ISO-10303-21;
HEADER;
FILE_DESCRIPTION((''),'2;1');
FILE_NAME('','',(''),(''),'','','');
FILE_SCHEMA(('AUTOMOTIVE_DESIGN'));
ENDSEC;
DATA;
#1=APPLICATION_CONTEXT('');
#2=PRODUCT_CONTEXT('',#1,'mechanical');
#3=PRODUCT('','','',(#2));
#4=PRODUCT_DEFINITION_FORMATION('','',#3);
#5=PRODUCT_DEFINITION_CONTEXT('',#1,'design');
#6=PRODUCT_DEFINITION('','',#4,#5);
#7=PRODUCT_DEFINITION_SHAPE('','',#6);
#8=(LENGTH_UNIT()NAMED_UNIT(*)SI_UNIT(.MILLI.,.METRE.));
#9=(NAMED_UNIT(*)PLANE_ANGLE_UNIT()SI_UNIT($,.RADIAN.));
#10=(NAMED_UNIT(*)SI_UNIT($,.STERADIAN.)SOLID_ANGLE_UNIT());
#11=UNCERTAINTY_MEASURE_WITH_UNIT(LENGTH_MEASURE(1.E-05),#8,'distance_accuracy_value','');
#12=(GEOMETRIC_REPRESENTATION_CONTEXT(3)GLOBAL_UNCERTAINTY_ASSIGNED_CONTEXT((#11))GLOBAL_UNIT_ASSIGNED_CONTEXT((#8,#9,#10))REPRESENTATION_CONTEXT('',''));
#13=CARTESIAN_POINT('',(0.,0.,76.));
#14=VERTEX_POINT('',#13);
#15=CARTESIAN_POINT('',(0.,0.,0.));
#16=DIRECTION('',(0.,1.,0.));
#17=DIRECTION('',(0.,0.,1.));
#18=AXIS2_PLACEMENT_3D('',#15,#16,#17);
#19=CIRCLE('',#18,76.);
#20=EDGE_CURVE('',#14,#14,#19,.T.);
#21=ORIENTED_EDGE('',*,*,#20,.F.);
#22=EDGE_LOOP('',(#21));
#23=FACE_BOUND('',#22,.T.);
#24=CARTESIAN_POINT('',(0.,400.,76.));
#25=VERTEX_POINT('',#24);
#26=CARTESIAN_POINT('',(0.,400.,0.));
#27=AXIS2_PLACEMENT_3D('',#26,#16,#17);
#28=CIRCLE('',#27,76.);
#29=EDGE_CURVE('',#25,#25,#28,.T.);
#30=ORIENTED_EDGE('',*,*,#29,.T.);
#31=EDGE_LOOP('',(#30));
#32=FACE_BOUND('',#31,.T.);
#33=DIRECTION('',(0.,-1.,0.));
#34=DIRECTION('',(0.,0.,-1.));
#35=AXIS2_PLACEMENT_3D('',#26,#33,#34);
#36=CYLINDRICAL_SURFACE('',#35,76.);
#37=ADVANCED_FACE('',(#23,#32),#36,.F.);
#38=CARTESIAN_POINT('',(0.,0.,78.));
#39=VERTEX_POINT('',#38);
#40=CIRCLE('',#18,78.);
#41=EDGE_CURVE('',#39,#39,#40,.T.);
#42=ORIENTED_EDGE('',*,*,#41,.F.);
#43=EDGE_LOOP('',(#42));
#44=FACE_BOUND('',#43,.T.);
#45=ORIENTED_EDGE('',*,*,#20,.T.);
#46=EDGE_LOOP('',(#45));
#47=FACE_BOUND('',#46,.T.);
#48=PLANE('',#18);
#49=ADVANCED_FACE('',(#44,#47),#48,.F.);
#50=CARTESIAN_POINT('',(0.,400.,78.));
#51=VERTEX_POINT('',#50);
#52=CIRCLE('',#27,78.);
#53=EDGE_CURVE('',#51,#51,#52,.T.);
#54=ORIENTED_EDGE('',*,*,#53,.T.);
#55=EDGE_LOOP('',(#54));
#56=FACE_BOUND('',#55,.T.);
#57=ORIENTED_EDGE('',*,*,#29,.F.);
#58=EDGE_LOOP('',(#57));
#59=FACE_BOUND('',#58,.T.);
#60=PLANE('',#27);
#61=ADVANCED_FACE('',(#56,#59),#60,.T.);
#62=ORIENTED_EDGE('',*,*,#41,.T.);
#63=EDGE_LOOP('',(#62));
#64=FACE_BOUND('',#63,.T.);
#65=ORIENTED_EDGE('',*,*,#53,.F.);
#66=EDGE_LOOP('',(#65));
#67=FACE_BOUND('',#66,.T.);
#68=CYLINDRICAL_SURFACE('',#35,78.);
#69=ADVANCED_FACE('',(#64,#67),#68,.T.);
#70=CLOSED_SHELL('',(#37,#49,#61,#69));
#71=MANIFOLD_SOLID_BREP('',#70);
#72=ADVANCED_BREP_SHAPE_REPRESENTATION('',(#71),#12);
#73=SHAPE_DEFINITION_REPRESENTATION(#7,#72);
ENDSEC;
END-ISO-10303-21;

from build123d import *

# Parameters (mm, degrees)
SKETCH_1_R      = 78
SKETCH_1_R_2    = 76
EXTRUDE_1_DEPTH = 400


with BuildPart() as part:
    # Эскиз1 → Бобышка-Вытянуть1 (new body)
    with BuildSketch(Plane(origin=(0, 0, 0), x_dir=(1, 0, 0), z_dir=(0, 1, 0))):
        with Locations(Location((0, 0, 0), (0, 0, 270))):
            Circle(SKETCH_1_R)
        with Locations(Location((0, 0, 0), (0, 0, 270))):
            Circle(SKETCH_1_R_2, mode=Mode.SUBTRACT)
    extrude(amount=EXTRUDE_1_DEPTH)


solid = part.part
